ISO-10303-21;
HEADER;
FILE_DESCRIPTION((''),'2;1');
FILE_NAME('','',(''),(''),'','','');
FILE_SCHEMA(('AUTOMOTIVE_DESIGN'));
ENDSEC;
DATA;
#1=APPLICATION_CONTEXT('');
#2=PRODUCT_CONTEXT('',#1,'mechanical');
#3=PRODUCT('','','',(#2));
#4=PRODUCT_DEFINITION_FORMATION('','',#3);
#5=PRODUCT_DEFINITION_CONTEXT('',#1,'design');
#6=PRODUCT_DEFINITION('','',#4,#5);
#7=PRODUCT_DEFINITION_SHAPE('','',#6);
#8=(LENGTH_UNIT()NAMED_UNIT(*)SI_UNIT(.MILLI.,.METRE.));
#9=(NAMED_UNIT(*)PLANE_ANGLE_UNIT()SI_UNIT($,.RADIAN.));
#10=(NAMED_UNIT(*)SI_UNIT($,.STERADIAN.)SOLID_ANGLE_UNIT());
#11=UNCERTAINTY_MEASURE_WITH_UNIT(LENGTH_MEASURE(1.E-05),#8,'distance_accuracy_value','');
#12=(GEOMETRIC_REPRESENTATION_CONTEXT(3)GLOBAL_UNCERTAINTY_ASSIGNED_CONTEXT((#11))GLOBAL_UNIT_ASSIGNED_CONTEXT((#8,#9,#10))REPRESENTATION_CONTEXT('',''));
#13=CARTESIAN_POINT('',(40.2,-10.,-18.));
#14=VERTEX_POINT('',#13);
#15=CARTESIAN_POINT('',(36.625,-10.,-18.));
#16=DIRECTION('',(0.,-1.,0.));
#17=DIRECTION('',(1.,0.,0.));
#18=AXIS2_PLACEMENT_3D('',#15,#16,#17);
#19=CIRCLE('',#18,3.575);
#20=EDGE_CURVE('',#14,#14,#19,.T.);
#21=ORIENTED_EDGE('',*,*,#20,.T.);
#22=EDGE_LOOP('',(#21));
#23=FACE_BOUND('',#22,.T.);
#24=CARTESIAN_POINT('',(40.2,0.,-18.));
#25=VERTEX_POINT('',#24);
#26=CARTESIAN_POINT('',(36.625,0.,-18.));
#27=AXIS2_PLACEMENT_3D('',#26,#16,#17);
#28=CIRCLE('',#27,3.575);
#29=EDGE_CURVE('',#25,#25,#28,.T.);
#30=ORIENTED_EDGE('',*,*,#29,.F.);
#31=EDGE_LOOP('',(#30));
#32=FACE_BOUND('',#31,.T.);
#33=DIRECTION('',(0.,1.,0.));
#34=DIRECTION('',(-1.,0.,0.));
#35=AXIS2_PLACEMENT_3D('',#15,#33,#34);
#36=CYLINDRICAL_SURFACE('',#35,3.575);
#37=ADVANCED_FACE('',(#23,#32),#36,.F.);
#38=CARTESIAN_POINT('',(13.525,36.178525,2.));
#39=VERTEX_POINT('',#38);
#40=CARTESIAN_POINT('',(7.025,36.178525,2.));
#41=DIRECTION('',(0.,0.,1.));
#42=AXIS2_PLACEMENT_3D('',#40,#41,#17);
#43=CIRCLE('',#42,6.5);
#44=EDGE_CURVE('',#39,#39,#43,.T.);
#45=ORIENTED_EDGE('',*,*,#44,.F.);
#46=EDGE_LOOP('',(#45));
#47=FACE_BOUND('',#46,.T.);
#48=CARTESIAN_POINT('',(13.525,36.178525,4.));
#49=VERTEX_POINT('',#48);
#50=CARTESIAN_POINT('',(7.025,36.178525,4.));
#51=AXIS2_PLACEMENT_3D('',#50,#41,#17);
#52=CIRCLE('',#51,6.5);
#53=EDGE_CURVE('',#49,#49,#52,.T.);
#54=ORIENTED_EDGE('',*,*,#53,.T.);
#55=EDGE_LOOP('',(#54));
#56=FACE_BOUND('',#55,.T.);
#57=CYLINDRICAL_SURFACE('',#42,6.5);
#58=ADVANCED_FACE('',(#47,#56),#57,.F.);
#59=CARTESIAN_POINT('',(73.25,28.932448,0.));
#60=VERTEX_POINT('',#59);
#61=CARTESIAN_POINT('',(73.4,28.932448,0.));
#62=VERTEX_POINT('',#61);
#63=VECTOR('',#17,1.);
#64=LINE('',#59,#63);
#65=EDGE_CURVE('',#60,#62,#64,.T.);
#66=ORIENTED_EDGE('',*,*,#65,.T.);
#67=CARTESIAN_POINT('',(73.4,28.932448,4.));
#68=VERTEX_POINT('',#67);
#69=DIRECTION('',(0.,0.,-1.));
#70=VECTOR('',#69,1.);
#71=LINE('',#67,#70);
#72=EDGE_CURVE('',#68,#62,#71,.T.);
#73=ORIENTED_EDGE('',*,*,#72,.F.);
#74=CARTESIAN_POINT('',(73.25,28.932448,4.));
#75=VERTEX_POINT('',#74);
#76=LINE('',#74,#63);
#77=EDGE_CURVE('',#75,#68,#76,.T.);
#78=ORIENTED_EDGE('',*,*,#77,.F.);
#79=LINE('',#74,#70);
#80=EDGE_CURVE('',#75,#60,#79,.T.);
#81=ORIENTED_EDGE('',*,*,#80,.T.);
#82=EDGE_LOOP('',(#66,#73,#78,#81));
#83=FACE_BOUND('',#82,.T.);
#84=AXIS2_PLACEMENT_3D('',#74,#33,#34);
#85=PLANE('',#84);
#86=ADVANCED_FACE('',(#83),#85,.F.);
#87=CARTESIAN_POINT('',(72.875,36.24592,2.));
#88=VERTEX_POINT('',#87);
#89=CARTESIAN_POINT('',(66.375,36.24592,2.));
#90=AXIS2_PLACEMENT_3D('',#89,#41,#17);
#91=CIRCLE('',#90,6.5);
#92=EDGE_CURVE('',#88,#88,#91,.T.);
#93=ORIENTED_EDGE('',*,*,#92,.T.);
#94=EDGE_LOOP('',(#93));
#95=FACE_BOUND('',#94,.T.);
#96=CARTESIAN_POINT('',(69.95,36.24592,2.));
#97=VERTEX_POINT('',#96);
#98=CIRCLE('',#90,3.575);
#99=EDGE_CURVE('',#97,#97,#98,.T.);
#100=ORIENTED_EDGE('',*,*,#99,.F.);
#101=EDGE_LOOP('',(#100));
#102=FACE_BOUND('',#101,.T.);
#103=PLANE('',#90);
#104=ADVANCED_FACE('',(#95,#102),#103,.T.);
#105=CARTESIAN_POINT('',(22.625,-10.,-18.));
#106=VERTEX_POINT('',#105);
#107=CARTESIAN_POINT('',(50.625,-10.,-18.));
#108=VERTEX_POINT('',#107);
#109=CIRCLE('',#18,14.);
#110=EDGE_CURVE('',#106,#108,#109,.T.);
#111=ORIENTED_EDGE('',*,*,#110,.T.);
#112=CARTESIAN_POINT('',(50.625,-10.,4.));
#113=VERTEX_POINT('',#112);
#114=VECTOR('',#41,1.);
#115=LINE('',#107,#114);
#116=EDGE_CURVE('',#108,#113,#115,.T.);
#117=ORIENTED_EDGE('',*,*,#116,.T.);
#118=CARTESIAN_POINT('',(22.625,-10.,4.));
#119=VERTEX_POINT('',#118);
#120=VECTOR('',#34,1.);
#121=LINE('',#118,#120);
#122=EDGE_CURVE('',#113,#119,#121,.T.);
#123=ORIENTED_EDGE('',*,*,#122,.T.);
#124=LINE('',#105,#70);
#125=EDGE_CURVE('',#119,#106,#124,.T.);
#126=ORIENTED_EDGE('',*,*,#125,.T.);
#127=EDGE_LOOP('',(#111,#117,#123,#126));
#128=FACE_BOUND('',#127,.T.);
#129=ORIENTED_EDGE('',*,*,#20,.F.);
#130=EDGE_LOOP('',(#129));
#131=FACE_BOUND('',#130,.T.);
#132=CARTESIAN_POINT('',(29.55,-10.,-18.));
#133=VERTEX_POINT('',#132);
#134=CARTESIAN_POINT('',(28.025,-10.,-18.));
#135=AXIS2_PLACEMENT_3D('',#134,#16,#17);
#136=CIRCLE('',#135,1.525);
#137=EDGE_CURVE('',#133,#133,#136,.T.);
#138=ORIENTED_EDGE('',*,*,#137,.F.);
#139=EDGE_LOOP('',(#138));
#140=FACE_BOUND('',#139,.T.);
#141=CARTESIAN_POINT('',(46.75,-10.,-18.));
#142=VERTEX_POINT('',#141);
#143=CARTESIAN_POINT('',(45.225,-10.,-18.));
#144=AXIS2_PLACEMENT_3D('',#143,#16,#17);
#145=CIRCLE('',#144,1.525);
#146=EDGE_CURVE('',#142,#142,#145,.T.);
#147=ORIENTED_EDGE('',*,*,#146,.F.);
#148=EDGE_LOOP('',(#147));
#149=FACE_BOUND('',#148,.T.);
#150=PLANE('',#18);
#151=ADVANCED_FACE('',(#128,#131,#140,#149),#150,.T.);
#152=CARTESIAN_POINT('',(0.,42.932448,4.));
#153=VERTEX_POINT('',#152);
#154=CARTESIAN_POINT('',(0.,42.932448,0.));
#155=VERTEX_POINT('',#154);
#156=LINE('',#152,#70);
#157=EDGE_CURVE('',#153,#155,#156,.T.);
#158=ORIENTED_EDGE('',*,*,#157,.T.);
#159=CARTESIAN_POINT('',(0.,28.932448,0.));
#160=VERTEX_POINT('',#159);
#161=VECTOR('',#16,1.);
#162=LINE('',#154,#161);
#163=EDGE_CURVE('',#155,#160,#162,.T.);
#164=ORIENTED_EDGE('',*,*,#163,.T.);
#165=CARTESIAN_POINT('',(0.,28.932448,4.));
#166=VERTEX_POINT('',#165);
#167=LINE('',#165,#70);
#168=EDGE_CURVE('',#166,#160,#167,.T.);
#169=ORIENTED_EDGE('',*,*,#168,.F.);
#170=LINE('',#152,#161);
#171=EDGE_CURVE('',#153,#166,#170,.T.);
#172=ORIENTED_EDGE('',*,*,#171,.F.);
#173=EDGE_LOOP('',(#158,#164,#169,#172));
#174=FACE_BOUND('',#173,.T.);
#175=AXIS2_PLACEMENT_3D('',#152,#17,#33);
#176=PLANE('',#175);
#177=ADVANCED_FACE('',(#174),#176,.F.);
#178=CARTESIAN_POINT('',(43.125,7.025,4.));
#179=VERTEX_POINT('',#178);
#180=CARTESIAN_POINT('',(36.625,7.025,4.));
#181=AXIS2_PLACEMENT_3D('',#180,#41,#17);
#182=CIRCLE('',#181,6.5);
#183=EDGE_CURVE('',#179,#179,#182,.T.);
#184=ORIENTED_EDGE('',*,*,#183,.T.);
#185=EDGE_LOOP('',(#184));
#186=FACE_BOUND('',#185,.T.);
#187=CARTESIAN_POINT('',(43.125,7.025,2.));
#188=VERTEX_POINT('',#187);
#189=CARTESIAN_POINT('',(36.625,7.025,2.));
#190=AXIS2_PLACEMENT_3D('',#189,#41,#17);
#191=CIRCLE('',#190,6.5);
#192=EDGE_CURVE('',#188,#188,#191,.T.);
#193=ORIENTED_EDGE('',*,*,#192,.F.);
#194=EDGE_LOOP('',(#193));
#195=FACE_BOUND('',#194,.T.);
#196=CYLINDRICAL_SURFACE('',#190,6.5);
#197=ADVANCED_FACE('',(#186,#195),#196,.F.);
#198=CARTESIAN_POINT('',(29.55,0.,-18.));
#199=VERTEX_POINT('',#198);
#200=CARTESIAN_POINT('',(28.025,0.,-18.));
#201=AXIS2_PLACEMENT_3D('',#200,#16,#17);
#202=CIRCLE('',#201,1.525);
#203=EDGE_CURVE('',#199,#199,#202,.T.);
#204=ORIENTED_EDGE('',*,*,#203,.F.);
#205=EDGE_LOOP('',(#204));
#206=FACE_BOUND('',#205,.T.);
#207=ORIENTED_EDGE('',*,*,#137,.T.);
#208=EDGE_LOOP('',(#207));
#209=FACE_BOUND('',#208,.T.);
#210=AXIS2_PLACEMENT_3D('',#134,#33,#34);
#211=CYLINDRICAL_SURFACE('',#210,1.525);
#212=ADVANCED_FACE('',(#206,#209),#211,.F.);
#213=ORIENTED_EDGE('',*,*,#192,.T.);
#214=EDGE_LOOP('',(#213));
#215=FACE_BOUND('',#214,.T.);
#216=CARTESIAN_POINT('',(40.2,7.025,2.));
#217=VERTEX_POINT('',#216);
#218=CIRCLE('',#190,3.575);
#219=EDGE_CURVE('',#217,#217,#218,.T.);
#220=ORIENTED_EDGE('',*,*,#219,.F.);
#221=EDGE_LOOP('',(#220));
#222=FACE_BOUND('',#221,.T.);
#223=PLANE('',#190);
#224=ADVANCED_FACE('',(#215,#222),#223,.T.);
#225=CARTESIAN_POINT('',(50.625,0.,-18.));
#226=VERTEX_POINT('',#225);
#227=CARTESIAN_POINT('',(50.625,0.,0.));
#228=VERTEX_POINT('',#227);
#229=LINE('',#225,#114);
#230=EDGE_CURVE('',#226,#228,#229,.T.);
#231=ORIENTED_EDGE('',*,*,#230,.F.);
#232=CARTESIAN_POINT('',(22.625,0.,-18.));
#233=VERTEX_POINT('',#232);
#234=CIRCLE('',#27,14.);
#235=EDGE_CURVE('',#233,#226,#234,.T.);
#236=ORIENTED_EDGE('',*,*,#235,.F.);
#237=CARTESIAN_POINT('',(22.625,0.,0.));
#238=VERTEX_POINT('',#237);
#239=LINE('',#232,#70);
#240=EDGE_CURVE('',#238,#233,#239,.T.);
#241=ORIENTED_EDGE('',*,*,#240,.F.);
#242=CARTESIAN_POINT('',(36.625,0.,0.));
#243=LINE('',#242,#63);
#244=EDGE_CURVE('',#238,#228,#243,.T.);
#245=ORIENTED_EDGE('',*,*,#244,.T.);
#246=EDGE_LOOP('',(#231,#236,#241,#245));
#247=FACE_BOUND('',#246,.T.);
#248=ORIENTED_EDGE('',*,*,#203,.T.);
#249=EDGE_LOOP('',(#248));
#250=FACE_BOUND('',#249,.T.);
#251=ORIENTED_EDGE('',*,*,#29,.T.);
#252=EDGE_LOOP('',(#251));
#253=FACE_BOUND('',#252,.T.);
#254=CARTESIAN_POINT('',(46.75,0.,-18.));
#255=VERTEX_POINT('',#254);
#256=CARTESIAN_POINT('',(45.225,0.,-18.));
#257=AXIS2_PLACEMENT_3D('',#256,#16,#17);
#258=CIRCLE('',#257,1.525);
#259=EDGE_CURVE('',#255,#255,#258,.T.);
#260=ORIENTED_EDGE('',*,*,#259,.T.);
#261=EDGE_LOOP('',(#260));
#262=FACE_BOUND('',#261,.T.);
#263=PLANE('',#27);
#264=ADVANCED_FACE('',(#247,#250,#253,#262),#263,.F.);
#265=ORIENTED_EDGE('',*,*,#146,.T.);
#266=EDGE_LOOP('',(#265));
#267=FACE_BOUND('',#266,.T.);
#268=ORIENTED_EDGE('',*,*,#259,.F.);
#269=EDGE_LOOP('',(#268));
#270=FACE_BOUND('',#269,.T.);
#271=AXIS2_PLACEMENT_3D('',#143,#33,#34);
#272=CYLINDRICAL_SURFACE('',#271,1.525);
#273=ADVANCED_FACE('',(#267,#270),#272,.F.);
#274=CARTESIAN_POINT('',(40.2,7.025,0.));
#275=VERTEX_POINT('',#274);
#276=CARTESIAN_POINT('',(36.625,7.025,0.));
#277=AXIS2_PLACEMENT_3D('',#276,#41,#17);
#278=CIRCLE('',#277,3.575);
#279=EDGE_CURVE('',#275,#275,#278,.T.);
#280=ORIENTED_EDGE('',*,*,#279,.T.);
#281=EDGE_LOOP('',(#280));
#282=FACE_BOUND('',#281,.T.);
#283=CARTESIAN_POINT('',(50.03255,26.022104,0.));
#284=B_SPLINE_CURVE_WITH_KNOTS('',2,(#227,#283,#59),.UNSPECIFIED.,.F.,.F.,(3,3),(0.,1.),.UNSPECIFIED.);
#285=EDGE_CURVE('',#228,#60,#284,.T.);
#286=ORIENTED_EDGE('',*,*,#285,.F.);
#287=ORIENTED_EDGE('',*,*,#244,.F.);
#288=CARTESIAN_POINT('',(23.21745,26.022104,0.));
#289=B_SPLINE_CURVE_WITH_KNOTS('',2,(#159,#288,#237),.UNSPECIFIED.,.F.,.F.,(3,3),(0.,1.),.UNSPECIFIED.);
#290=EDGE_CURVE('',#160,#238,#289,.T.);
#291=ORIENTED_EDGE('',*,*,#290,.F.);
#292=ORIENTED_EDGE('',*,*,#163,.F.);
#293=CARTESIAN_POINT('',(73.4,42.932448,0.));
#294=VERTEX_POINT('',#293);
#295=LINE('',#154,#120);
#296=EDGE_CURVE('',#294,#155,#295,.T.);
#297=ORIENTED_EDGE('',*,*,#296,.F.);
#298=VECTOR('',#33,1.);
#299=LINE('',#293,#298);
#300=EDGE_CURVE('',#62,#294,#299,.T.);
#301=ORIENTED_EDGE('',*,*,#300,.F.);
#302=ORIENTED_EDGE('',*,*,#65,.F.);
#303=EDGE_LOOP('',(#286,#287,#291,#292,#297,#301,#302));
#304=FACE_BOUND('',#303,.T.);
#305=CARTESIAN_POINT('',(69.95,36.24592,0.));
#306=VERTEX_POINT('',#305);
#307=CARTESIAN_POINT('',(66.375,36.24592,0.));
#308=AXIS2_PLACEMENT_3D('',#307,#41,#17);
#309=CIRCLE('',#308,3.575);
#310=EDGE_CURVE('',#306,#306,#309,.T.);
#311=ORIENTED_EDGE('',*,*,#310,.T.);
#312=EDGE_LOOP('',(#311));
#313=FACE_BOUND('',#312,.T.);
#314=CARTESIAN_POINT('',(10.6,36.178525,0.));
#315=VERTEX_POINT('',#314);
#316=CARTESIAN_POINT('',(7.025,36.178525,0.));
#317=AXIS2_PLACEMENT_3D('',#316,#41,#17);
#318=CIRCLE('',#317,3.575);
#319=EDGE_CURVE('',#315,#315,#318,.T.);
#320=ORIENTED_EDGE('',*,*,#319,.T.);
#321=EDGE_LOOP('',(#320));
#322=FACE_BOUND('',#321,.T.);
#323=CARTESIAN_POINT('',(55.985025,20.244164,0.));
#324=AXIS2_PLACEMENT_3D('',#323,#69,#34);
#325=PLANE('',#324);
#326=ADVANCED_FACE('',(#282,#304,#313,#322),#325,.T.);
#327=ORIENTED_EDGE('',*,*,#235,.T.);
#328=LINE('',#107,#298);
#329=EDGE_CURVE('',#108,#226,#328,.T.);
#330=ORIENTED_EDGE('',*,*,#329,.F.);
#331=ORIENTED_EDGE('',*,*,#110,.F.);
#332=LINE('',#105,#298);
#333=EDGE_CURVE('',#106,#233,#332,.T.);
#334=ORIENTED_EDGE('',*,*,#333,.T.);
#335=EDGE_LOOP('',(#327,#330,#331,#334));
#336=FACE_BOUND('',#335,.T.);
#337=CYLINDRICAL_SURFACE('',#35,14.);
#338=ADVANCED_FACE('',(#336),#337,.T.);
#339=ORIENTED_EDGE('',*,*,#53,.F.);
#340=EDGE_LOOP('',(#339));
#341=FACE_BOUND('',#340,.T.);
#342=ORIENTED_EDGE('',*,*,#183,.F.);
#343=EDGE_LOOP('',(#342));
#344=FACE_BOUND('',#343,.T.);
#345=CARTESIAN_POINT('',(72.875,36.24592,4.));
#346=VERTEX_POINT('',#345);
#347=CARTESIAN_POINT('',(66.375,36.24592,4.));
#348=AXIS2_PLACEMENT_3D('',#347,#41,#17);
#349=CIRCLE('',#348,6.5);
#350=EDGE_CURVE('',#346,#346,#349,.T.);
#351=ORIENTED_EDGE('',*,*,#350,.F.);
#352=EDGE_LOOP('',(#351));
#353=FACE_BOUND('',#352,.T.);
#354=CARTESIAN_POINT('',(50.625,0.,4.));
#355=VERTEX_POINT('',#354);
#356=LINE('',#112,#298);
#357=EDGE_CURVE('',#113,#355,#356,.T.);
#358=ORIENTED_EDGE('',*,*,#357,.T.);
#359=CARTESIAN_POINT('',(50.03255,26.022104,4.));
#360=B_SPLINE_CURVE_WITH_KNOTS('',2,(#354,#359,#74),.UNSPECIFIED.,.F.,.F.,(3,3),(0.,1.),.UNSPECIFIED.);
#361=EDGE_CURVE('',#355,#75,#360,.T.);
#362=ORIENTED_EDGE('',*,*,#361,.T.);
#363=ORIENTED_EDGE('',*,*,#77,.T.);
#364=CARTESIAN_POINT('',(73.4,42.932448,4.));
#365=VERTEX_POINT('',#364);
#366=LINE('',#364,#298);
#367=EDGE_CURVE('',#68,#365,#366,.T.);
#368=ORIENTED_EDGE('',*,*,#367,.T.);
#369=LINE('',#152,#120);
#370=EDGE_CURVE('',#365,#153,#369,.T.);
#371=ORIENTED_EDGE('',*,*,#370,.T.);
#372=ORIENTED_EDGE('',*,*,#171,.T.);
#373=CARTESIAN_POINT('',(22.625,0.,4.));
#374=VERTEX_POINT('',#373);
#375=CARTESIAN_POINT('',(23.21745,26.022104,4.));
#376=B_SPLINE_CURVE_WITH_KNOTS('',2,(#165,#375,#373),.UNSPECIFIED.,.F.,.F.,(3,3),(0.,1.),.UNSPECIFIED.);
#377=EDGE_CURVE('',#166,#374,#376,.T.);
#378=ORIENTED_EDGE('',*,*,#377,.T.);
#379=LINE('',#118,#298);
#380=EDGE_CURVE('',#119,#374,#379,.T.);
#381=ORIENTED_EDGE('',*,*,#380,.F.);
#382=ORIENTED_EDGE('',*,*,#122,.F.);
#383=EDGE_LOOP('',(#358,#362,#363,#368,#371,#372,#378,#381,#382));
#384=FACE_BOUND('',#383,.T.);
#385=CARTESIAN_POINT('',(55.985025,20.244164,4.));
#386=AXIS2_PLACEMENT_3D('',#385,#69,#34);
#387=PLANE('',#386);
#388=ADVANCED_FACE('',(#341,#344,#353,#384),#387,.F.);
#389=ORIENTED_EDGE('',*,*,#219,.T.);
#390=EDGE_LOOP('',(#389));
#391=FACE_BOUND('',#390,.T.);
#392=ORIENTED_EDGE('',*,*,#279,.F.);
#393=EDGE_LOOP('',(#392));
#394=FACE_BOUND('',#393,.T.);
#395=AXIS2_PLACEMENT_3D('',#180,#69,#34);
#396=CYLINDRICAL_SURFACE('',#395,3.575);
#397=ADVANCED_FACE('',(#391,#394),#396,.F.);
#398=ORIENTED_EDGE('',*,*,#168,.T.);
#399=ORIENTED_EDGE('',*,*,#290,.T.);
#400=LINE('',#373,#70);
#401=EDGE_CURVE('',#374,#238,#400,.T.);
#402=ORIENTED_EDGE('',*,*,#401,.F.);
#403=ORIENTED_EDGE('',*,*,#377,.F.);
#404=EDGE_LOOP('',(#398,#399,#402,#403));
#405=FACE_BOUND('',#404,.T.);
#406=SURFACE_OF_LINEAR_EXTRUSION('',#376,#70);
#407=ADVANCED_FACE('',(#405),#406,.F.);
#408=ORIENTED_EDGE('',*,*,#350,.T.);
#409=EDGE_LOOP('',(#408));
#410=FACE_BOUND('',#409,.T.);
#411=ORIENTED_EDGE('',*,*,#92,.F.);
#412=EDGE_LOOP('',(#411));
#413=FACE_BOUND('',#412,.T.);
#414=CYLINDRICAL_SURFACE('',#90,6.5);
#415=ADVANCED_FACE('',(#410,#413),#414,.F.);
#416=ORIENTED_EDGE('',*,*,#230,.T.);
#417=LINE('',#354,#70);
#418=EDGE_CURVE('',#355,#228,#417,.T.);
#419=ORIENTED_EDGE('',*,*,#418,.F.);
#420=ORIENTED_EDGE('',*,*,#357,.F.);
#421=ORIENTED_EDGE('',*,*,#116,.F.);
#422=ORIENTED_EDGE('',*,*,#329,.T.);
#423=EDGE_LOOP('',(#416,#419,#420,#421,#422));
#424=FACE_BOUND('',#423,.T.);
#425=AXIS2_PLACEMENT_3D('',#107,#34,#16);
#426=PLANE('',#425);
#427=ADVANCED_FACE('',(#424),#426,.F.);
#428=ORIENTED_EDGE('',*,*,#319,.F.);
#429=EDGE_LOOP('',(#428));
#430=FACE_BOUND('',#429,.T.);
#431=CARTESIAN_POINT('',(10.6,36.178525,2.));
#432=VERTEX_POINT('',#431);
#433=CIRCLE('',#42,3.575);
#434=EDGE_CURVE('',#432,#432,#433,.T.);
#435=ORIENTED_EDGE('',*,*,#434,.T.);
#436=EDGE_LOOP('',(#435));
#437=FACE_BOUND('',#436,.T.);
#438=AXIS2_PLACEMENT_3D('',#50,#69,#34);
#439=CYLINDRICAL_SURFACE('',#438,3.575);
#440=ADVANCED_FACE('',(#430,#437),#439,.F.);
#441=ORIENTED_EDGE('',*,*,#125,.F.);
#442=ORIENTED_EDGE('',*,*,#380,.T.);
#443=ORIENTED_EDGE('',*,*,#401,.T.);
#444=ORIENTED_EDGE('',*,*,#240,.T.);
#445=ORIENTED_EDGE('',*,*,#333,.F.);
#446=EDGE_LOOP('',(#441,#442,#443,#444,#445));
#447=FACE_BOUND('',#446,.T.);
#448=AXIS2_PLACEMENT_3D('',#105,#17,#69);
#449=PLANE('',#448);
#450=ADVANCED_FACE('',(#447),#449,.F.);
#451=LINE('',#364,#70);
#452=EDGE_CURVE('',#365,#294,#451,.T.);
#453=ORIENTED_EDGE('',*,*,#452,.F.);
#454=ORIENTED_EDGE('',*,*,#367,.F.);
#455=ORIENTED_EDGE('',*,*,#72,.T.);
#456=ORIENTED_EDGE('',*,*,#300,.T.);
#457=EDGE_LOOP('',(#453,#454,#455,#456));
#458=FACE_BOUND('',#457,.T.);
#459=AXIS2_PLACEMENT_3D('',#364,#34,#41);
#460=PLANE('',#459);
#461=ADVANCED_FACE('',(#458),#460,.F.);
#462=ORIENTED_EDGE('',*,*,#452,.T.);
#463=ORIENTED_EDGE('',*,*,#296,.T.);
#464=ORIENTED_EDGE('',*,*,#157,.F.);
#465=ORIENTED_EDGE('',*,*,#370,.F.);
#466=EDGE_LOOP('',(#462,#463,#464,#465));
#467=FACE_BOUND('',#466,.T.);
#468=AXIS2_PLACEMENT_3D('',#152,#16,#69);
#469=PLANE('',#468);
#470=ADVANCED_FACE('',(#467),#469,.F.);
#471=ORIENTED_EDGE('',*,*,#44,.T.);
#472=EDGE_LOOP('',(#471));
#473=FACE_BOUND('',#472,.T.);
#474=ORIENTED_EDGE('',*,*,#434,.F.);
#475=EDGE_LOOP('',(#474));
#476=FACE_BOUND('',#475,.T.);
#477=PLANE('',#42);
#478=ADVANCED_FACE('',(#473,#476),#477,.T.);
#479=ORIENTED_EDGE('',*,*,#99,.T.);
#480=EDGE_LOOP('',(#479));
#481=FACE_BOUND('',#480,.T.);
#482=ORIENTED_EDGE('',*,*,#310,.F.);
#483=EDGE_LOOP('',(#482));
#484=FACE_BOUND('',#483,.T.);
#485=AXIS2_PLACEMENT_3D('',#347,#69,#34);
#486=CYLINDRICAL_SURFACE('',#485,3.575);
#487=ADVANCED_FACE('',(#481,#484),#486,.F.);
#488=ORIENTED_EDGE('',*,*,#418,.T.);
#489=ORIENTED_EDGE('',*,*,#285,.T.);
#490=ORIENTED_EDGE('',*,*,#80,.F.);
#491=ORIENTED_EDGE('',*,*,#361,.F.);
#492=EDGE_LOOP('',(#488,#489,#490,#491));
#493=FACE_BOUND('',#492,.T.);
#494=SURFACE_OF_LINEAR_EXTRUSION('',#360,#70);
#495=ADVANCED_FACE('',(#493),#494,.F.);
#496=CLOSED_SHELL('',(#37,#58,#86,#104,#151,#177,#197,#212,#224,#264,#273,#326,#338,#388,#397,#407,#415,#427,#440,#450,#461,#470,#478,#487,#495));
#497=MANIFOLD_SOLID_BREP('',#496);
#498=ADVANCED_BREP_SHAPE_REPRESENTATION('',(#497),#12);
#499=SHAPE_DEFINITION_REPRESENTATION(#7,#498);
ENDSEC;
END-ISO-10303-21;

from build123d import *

# Parameters (mm, degrees)
ESQUISSE1_R             = 3.575
BOSS_EXTRU_1_DEPTH      = 4
ESQUISSE17_R            = 6.5
ENL_V_MAT_EXTRU_9_DEPTH = 2
ESQUISSE18_R            = 3.575
ESQUISSE18_R_2          = 1.525
BOSS_EXTRU_6_DEPTH      = 10


with BuildPart() as part:
    # Esquisse1 → Boss.-Extru.1 (new body)
    with BuildSketch(Plane.XY):
        with BuildLine():
            Line((0, 42.932447878), (0, 28.932447878))
            add(Edge.make_bspline(
                [(0, 28.932447878), (23.217449625, 26.022104371), (22.625, 0)],
                knots=[0, 0, 0, 1, 1, 1], degree=2))
            Line((22.625, 0), (36.625, 0))
            Line((36.625, 0), (50.625, 0))
            add(Edge.make_bspline(
                [(73.25, 28.932447878), (50.032550375, 26.022104371), (50.625, 0)],
                knots=[0, 0, 0, 1, 1, 1], degree=2))
            Line((73.25, 28.932447878), (73.4, 28.932447878))
            Line((73.4, 28.932447878), (73.4, 42.932447878))
            Line((73.4, 42.932447878), (0, 42.932447878))
        make_face()
        with Locations((7.025, 36.178525203)):
            Circle(ESQUISSE1_R, mode=Mode.SUBTRACT)
        with Locations((66.375, 36.245920154)):
            Circle(ESQUISSE1_R, mode=Mode.SUBTRACT)
        with Locations((36.625, 7.025)):
            Circle(ESQUISSE1_R, mode=Mode.SUBTRACT)
    extrude(amount=BOSS_EXTRU_1_DEPTH)

    # Esquisse17 → Enlèv. mat.-Extru.9 (cut)
    with BuildSketch(Plane.XY.offset(4)):
        with Locations((7.025, 36.178525203)):
            Circle(ESQUISSE17_R)
        with Locations((66.375, 36.245920154)):
            Circle(ESQUISSE17_R)
        with Locations((36.625, 7.025)):
            Circle(ESQUISSE17_R)
    extrude(amount=-ENL_V_MAT_EXTRU_9_DEPTH, mode=Mode.SUBTRACT)

    # Esquisse18 → Boss.-Extru.6 (add)
    with BuildSketch(Plane.XZ):
        with BuildLine():
            Line((22.625, -18), (22.625, 4))
            Line((22.625, 4), (50.625, 4))
            Line((50.625, 4), (50.625, -18))
            ThreePointArc((50.625, -18), (36.625, -32), (22.625, -18))
        make_face()
        with Locations((36.625, -18)):
            Circle(ESQUISSE18_R, mode=Mode.SUBTRACT)
        with Locations((28.025, -18)):
            Circle(ESQUISSE18_R_2, mode=Mode.SUBTRACT)
        with Locations((45.225, -18)):
            Circle(ESQUISSE18_R_2, mode=Mode.SUBTRACT)
    extrude(amount=BOSS_EXTRU_6_DEPTH)


solid = part.part
